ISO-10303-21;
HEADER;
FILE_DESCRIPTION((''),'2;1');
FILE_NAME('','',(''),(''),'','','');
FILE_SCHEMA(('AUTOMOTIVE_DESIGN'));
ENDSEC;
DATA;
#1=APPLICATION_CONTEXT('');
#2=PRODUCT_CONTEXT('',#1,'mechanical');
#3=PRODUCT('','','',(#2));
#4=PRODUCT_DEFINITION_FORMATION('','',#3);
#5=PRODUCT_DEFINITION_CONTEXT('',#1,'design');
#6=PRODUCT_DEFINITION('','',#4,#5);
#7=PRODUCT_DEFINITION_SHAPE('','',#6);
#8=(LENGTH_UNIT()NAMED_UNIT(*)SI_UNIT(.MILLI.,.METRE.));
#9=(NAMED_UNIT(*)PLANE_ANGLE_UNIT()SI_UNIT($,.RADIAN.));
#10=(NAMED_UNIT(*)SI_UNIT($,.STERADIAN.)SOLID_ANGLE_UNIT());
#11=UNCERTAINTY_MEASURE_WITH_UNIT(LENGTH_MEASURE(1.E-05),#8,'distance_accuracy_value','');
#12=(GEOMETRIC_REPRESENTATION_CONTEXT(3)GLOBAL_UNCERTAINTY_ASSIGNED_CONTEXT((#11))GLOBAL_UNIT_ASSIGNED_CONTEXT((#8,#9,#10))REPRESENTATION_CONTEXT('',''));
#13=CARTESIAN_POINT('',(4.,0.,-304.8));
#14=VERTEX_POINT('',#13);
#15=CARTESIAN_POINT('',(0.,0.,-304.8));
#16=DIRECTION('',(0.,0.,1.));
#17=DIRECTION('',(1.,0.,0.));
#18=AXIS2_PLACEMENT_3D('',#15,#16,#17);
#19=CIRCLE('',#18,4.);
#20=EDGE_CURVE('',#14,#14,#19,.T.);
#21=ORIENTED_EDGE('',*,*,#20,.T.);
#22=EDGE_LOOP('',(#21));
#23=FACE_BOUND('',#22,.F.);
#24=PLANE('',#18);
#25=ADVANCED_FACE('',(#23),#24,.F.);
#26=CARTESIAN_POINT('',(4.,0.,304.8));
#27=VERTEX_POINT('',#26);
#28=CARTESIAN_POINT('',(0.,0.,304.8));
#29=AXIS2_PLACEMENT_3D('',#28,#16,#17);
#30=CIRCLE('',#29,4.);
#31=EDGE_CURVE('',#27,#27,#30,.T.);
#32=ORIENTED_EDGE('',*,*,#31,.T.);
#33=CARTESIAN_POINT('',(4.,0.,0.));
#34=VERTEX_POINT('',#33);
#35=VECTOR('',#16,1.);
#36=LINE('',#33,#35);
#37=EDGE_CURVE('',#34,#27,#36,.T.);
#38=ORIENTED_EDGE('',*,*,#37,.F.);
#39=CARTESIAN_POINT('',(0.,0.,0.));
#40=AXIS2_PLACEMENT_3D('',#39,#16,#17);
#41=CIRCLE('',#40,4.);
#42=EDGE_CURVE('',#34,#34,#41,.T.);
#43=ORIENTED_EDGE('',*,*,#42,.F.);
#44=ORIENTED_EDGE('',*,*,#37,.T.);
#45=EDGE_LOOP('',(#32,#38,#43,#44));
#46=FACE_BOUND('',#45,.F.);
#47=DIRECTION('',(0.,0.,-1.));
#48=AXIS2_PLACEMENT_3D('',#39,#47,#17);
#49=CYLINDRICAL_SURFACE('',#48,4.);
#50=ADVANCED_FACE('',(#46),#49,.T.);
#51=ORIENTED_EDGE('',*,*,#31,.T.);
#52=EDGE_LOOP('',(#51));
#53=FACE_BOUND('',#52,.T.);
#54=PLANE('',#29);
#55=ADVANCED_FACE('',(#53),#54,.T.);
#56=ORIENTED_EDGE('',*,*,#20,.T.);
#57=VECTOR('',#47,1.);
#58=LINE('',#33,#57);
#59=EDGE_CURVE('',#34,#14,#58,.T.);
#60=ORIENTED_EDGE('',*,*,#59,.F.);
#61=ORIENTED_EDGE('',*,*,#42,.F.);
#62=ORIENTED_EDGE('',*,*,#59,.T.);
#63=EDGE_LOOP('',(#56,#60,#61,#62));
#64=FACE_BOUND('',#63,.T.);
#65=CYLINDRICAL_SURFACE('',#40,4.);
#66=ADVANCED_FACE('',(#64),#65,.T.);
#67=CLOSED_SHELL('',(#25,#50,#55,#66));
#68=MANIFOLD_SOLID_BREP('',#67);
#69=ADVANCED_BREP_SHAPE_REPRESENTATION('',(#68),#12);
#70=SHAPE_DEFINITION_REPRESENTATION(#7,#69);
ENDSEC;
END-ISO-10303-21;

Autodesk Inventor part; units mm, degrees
ref_plane "YZ Plane" through (0, 0, 0) normal (1, 0, 0) x (0, 1, 0)
ref_plane "XZ Plane" through (0, 0, 0) normal (0, 1, 0) x (-1, 0, 0)
ref_plane "XY Plane" through (0, 0, 0) normal (0, 0, 1) x (1, 0, 0)
sketch "Sketch1" plane through (0, 0, 0) normal (0, 0, 1) x (1, 0, 0)
  circle A0 centre (0, 0) radius 4
  dimension "d0" = 8
extrude "Extrusion1" add sketch "Sketch1" along normal mid plane 609.6
properties part number "MainRod" material "Stainless Steel"
